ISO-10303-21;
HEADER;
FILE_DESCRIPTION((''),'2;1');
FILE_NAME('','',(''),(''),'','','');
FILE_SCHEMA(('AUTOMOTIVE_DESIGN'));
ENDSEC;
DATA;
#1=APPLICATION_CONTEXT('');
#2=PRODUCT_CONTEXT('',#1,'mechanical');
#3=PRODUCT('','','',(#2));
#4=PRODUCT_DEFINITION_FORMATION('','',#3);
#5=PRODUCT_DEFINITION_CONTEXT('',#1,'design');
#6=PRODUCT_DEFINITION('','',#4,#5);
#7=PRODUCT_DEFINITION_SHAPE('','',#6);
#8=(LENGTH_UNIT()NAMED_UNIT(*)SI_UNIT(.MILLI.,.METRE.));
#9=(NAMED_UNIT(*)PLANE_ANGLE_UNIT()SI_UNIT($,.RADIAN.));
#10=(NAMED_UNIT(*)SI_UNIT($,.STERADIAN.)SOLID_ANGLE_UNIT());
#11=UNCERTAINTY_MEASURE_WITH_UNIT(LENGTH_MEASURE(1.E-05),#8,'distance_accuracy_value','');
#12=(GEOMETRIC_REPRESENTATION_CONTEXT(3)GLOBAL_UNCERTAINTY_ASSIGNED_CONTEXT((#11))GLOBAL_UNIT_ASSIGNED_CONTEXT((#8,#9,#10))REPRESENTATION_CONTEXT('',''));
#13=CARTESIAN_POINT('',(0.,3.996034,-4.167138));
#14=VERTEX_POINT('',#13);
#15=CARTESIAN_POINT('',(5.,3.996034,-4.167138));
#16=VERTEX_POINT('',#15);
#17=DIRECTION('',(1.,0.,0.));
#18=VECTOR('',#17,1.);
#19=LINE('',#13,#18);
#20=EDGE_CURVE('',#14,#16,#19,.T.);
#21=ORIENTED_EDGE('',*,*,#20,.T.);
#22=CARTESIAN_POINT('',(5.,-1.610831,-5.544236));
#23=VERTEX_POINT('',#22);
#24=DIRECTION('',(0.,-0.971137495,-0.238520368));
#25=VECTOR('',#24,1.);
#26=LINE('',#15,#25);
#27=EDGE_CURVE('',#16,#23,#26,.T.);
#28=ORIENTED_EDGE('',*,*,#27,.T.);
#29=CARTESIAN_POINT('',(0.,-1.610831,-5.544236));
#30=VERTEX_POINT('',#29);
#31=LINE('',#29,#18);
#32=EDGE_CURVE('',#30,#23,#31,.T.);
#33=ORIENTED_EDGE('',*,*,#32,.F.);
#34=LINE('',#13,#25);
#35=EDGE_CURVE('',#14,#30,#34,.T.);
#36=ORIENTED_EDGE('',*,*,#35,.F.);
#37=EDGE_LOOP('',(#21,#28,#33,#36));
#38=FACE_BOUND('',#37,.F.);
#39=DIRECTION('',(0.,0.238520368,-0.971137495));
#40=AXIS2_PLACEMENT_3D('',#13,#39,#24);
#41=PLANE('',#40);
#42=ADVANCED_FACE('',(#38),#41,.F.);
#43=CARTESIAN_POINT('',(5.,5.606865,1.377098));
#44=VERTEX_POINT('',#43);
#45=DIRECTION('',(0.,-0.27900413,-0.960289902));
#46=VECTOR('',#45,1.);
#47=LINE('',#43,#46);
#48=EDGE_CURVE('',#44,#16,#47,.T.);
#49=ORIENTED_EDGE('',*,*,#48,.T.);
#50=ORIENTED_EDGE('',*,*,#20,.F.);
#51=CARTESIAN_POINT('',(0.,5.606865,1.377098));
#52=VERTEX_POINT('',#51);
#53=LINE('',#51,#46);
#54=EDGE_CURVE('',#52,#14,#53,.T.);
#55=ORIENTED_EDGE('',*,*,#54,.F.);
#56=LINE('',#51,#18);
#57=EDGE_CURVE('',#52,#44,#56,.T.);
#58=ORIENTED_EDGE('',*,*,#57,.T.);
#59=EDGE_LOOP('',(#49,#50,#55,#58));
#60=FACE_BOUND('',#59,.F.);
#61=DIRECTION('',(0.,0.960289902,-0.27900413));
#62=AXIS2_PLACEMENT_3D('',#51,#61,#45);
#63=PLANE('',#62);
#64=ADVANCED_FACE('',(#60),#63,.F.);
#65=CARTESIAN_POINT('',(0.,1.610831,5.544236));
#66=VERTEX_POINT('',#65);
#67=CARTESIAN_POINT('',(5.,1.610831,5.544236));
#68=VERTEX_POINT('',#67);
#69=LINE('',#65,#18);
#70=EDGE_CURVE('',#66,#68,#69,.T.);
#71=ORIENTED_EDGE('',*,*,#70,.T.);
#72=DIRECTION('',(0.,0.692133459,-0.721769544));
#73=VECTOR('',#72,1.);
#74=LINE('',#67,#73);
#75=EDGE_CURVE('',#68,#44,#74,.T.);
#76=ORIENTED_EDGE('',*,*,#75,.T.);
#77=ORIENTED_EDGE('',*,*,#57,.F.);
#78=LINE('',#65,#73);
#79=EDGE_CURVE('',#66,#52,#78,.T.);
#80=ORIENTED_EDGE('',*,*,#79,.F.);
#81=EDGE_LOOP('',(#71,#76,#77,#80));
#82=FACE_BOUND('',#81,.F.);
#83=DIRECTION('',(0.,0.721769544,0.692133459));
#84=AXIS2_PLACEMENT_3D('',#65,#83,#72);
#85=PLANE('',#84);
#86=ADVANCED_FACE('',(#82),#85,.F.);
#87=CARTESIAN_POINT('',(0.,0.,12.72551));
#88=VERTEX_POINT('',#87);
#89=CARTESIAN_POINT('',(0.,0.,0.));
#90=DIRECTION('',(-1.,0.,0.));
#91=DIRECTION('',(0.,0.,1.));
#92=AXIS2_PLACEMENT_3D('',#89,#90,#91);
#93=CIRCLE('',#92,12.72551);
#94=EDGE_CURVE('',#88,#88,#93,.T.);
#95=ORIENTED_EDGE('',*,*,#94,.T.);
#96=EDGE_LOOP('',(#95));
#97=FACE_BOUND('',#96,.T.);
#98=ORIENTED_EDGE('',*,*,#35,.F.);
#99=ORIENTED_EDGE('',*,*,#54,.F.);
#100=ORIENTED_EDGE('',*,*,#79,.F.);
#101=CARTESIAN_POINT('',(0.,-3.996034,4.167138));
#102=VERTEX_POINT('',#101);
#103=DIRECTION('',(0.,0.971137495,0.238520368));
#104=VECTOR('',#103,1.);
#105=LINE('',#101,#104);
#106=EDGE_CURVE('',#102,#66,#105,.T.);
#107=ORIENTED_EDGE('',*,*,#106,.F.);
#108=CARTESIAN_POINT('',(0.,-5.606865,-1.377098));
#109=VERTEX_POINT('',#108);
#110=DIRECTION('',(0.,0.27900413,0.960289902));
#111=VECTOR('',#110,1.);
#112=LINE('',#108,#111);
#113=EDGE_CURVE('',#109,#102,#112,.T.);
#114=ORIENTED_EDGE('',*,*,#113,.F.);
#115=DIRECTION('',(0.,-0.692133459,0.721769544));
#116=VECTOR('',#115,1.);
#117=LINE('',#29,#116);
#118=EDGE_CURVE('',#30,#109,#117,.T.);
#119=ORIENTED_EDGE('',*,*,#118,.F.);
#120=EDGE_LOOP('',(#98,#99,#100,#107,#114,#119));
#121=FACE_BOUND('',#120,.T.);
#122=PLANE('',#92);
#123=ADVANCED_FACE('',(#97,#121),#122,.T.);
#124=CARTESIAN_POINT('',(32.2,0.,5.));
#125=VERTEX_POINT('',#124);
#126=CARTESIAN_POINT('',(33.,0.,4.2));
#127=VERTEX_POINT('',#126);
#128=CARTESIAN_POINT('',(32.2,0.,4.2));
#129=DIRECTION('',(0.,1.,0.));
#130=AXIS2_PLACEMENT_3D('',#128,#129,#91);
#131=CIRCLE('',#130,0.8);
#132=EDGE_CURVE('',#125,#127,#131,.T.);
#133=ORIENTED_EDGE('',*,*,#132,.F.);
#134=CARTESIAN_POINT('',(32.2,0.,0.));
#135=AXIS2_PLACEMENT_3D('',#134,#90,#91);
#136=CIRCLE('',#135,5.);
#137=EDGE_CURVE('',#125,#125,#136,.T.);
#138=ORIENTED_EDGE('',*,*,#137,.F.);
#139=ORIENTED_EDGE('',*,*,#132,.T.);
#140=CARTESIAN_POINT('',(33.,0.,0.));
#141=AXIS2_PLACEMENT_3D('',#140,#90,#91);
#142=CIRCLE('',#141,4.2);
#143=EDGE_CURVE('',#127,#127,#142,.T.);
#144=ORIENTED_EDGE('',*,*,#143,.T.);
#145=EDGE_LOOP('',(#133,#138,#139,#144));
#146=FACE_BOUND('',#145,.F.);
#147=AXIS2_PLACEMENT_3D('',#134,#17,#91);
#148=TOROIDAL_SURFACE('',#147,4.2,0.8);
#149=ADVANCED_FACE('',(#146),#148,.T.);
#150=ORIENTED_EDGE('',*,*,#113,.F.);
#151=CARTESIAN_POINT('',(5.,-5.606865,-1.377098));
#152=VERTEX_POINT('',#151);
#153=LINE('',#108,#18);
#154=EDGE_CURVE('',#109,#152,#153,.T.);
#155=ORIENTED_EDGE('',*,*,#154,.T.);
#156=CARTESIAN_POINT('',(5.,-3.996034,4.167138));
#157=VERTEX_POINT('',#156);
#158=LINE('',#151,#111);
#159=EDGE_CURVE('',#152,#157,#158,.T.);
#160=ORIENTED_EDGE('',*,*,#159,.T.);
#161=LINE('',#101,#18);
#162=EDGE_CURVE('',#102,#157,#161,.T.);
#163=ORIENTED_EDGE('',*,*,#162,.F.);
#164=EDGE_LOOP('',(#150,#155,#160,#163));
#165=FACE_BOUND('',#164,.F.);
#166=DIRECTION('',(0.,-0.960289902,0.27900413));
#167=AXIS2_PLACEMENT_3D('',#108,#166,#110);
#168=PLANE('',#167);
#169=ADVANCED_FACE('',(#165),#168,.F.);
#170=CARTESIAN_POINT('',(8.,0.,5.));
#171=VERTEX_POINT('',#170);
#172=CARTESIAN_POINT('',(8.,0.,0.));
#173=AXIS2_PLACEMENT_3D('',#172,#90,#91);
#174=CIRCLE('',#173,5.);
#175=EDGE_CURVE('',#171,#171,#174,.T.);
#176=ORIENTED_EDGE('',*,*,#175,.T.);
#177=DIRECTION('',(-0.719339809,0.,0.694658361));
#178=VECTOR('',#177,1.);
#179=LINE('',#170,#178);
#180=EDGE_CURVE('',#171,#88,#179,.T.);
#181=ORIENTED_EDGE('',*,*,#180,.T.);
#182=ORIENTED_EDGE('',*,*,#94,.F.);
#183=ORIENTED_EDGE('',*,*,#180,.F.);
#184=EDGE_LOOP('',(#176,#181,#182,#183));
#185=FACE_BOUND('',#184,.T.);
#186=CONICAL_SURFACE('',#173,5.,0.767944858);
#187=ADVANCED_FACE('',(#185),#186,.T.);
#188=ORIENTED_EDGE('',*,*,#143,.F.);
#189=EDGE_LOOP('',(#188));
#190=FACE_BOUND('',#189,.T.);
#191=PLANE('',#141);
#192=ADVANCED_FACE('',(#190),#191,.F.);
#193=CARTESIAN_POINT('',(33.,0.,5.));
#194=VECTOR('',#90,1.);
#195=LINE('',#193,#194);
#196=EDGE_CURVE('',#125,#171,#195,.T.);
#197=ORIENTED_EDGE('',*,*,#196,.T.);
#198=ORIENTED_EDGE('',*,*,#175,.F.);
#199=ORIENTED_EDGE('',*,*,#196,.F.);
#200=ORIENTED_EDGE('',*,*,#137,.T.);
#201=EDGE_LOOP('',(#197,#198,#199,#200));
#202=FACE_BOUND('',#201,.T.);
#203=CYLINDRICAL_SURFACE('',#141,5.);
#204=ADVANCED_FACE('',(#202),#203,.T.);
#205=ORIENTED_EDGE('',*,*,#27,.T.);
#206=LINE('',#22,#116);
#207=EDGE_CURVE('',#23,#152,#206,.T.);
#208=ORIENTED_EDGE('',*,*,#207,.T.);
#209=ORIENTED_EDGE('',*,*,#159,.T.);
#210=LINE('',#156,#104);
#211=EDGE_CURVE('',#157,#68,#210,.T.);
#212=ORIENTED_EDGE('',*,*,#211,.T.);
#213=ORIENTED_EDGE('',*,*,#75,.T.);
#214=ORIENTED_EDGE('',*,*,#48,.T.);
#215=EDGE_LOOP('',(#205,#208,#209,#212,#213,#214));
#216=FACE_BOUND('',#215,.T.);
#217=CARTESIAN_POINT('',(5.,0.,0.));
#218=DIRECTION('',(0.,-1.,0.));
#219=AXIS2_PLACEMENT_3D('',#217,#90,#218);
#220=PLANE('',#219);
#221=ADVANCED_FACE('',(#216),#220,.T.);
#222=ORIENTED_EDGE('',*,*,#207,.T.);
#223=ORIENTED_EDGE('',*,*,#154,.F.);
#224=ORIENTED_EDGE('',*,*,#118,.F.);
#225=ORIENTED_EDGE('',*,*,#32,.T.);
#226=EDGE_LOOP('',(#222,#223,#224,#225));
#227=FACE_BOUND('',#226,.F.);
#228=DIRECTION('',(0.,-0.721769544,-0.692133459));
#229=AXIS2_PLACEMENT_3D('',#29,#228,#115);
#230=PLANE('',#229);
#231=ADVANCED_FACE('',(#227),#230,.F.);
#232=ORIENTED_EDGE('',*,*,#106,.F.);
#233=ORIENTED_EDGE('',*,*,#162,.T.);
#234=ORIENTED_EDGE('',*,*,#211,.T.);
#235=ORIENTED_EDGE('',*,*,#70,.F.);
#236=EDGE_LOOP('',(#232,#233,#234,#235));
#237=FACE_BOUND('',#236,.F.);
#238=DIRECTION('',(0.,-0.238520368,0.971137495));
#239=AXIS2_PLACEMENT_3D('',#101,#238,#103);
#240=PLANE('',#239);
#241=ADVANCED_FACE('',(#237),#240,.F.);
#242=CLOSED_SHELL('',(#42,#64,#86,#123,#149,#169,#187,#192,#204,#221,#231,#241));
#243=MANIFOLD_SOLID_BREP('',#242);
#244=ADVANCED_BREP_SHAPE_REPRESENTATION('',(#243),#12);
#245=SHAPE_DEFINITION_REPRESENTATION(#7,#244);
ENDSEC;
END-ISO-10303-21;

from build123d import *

# Parameters (mm, degrees)
F3_DEPTH = 5
F4_R     = 0.8


with BuildPart() as f1:
    # F0 (on Front) → F1 (revolve)
    with BuildSketch(Plane.XZ):
        Polygon((0, 12.72551), (0, 0), (33, 0), (33, 5), (8, 5), align=None)
    revolve(axis=Axis((16.5, 0, 0), (-1, 0, 0)))

    # F2 (on face) → F3 (cut)
    with BuildSketch(Plane(origin=(0, 0, 0), x_dir=(0, -1, 0), z_dir=(-1, 0, 0))):
        Polygon((3.996034, 4.167138), (-1.610831, 5.544236), (-5.606865, 1.377098), (-3.996034, -4.167138), (1.610831, -5.544236), (5.606865, -1.377098), align=None)
    extrude(amount=-F3_DEPTH, mode=Mode.SUBTRACT)

    # F4
    f4_edges = [f1.edges().sort_by_distance(p)[0] for p in [
        (33, 0, -5),
    ]]
    fillet(f4_edges, radius=F4_R)


solid = f1.part
